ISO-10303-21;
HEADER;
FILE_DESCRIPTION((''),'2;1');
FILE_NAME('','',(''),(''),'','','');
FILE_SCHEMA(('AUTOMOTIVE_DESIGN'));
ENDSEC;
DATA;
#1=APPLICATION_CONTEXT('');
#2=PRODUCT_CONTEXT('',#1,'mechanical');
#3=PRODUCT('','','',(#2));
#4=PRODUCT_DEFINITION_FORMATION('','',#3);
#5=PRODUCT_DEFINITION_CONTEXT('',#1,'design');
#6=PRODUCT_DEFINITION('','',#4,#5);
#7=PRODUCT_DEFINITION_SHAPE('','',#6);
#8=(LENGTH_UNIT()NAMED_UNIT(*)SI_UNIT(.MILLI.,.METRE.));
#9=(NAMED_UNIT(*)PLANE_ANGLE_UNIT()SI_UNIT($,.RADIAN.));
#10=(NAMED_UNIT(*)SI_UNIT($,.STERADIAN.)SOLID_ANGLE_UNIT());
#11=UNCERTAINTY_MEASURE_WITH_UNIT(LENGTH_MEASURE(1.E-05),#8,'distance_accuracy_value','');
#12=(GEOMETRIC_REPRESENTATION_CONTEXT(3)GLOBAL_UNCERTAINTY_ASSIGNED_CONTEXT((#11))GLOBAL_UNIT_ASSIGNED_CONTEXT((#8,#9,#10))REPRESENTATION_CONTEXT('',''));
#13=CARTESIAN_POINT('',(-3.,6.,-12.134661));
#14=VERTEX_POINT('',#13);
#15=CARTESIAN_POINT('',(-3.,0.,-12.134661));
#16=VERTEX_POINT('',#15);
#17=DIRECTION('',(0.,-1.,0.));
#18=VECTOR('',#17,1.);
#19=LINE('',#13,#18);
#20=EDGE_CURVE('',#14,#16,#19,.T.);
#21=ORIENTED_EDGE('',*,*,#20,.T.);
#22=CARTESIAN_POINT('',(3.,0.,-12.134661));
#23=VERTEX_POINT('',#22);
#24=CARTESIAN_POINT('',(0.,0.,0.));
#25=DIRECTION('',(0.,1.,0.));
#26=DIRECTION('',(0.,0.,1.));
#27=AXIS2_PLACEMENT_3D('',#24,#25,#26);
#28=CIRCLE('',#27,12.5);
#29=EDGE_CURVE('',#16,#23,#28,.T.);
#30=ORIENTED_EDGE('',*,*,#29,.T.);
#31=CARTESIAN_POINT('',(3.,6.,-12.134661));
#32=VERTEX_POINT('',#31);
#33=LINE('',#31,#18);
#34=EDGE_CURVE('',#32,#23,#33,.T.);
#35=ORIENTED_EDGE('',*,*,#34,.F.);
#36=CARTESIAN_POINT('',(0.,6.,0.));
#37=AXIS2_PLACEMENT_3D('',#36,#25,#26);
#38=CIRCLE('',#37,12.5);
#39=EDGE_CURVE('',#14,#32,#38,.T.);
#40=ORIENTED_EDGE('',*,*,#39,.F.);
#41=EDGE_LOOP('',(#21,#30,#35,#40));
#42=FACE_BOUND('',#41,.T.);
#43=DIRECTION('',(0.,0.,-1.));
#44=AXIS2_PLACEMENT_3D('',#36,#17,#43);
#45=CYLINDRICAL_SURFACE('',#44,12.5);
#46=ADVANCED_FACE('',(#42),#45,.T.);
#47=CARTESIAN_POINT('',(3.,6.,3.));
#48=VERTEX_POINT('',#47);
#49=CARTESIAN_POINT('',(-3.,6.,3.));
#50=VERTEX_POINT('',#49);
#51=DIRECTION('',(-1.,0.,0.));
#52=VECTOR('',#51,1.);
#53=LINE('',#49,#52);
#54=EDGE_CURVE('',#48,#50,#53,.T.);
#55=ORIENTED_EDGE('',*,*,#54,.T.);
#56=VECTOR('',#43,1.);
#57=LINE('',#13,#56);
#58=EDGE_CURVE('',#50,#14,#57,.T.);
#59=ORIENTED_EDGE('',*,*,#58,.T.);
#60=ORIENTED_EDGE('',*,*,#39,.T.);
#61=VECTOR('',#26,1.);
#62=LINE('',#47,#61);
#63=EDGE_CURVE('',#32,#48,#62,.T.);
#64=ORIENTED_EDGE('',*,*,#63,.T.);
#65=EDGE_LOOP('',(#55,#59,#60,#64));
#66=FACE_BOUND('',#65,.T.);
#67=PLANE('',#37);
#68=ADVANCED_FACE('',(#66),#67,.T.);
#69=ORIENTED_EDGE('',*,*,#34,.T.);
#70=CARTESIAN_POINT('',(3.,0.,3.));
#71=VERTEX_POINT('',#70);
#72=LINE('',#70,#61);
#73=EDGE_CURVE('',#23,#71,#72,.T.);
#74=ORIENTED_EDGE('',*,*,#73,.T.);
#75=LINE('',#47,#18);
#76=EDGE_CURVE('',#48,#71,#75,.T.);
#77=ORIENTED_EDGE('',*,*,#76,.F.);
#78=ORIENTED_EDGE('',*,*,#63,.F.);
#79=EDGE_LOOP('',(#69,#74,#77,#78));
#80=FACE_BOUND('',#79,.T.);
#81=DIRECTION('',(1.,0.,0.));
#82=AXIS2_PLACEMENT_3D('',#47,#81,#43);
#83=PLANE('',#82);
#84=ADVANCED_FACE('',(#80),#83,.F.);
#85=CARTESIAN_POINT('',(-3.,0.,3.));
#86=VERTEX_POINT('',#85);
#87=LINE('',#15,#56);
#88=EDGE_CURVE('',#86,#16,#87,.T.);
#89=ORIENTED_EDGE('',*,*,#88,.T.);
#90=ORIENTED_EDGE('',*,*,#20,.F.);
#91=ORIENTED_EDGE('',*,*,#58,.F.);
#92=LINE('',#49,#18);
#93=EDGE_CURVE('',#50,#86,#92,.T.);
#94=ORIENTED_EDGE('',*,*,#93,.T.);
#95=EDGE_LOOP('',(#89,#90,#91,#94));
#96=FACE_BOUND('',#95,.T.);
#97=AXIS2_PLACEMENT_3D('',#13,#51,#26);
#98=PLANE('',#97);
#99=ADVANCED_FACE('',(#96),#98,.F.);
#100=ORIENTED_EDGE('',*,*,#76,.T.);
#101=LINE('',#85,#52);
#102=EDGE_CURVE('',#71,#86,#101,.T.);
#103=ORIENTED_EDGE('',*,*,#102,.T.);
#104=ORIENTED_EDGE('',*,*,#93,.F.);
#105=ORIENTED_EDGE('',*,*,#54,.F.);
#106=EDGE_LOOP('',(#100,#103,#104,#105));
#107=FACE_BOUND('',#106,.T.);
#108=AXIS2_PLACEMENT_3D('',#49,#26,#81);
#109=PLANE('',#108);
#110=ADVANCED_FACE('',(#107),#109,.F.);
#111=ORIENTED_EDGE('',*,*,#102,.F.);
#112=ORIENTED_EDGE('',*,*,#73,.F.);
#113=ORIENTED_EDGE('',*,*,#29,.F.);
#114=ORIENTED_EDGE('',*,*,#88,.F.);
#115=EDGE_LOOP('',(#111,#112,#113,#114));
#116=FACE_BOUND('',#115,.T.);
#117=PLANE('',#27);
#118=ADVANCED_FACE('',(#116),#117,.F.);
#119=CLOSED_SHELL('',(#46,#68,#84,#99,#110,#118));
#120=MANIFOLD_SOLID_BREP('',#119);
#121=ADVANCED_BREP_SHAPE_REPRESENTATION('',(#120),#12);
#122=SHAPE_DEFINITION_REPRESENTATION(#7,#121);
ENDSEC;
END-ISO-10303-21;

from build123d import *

# Parameters (mm, degrees)
RESSALTO_EXTRUS_O1_DEPTH = 6


with BuildPart() as part:
    # Esboço1 → Ressalto-extrusão1 (new body)
    with BuildSketch(Plane(origin=(0, 0, 0), x_dir=(1, 0, 0), z_dir=(0, 1, 0))):
        with BuildLine():
            Line((-3, 12.1346611), (-3, -3))
            Line((-3, -3), (3, -3))
            Line((3, -3), (3, 12.1346611))
            ThreePointArc((3, 12.1346611), (0, -12.5), (-3, 12.1346611))
        make_face()
    extrude(amount=RESSALTO_EXTRUS_O1_DEPTH)


solid = part.part
